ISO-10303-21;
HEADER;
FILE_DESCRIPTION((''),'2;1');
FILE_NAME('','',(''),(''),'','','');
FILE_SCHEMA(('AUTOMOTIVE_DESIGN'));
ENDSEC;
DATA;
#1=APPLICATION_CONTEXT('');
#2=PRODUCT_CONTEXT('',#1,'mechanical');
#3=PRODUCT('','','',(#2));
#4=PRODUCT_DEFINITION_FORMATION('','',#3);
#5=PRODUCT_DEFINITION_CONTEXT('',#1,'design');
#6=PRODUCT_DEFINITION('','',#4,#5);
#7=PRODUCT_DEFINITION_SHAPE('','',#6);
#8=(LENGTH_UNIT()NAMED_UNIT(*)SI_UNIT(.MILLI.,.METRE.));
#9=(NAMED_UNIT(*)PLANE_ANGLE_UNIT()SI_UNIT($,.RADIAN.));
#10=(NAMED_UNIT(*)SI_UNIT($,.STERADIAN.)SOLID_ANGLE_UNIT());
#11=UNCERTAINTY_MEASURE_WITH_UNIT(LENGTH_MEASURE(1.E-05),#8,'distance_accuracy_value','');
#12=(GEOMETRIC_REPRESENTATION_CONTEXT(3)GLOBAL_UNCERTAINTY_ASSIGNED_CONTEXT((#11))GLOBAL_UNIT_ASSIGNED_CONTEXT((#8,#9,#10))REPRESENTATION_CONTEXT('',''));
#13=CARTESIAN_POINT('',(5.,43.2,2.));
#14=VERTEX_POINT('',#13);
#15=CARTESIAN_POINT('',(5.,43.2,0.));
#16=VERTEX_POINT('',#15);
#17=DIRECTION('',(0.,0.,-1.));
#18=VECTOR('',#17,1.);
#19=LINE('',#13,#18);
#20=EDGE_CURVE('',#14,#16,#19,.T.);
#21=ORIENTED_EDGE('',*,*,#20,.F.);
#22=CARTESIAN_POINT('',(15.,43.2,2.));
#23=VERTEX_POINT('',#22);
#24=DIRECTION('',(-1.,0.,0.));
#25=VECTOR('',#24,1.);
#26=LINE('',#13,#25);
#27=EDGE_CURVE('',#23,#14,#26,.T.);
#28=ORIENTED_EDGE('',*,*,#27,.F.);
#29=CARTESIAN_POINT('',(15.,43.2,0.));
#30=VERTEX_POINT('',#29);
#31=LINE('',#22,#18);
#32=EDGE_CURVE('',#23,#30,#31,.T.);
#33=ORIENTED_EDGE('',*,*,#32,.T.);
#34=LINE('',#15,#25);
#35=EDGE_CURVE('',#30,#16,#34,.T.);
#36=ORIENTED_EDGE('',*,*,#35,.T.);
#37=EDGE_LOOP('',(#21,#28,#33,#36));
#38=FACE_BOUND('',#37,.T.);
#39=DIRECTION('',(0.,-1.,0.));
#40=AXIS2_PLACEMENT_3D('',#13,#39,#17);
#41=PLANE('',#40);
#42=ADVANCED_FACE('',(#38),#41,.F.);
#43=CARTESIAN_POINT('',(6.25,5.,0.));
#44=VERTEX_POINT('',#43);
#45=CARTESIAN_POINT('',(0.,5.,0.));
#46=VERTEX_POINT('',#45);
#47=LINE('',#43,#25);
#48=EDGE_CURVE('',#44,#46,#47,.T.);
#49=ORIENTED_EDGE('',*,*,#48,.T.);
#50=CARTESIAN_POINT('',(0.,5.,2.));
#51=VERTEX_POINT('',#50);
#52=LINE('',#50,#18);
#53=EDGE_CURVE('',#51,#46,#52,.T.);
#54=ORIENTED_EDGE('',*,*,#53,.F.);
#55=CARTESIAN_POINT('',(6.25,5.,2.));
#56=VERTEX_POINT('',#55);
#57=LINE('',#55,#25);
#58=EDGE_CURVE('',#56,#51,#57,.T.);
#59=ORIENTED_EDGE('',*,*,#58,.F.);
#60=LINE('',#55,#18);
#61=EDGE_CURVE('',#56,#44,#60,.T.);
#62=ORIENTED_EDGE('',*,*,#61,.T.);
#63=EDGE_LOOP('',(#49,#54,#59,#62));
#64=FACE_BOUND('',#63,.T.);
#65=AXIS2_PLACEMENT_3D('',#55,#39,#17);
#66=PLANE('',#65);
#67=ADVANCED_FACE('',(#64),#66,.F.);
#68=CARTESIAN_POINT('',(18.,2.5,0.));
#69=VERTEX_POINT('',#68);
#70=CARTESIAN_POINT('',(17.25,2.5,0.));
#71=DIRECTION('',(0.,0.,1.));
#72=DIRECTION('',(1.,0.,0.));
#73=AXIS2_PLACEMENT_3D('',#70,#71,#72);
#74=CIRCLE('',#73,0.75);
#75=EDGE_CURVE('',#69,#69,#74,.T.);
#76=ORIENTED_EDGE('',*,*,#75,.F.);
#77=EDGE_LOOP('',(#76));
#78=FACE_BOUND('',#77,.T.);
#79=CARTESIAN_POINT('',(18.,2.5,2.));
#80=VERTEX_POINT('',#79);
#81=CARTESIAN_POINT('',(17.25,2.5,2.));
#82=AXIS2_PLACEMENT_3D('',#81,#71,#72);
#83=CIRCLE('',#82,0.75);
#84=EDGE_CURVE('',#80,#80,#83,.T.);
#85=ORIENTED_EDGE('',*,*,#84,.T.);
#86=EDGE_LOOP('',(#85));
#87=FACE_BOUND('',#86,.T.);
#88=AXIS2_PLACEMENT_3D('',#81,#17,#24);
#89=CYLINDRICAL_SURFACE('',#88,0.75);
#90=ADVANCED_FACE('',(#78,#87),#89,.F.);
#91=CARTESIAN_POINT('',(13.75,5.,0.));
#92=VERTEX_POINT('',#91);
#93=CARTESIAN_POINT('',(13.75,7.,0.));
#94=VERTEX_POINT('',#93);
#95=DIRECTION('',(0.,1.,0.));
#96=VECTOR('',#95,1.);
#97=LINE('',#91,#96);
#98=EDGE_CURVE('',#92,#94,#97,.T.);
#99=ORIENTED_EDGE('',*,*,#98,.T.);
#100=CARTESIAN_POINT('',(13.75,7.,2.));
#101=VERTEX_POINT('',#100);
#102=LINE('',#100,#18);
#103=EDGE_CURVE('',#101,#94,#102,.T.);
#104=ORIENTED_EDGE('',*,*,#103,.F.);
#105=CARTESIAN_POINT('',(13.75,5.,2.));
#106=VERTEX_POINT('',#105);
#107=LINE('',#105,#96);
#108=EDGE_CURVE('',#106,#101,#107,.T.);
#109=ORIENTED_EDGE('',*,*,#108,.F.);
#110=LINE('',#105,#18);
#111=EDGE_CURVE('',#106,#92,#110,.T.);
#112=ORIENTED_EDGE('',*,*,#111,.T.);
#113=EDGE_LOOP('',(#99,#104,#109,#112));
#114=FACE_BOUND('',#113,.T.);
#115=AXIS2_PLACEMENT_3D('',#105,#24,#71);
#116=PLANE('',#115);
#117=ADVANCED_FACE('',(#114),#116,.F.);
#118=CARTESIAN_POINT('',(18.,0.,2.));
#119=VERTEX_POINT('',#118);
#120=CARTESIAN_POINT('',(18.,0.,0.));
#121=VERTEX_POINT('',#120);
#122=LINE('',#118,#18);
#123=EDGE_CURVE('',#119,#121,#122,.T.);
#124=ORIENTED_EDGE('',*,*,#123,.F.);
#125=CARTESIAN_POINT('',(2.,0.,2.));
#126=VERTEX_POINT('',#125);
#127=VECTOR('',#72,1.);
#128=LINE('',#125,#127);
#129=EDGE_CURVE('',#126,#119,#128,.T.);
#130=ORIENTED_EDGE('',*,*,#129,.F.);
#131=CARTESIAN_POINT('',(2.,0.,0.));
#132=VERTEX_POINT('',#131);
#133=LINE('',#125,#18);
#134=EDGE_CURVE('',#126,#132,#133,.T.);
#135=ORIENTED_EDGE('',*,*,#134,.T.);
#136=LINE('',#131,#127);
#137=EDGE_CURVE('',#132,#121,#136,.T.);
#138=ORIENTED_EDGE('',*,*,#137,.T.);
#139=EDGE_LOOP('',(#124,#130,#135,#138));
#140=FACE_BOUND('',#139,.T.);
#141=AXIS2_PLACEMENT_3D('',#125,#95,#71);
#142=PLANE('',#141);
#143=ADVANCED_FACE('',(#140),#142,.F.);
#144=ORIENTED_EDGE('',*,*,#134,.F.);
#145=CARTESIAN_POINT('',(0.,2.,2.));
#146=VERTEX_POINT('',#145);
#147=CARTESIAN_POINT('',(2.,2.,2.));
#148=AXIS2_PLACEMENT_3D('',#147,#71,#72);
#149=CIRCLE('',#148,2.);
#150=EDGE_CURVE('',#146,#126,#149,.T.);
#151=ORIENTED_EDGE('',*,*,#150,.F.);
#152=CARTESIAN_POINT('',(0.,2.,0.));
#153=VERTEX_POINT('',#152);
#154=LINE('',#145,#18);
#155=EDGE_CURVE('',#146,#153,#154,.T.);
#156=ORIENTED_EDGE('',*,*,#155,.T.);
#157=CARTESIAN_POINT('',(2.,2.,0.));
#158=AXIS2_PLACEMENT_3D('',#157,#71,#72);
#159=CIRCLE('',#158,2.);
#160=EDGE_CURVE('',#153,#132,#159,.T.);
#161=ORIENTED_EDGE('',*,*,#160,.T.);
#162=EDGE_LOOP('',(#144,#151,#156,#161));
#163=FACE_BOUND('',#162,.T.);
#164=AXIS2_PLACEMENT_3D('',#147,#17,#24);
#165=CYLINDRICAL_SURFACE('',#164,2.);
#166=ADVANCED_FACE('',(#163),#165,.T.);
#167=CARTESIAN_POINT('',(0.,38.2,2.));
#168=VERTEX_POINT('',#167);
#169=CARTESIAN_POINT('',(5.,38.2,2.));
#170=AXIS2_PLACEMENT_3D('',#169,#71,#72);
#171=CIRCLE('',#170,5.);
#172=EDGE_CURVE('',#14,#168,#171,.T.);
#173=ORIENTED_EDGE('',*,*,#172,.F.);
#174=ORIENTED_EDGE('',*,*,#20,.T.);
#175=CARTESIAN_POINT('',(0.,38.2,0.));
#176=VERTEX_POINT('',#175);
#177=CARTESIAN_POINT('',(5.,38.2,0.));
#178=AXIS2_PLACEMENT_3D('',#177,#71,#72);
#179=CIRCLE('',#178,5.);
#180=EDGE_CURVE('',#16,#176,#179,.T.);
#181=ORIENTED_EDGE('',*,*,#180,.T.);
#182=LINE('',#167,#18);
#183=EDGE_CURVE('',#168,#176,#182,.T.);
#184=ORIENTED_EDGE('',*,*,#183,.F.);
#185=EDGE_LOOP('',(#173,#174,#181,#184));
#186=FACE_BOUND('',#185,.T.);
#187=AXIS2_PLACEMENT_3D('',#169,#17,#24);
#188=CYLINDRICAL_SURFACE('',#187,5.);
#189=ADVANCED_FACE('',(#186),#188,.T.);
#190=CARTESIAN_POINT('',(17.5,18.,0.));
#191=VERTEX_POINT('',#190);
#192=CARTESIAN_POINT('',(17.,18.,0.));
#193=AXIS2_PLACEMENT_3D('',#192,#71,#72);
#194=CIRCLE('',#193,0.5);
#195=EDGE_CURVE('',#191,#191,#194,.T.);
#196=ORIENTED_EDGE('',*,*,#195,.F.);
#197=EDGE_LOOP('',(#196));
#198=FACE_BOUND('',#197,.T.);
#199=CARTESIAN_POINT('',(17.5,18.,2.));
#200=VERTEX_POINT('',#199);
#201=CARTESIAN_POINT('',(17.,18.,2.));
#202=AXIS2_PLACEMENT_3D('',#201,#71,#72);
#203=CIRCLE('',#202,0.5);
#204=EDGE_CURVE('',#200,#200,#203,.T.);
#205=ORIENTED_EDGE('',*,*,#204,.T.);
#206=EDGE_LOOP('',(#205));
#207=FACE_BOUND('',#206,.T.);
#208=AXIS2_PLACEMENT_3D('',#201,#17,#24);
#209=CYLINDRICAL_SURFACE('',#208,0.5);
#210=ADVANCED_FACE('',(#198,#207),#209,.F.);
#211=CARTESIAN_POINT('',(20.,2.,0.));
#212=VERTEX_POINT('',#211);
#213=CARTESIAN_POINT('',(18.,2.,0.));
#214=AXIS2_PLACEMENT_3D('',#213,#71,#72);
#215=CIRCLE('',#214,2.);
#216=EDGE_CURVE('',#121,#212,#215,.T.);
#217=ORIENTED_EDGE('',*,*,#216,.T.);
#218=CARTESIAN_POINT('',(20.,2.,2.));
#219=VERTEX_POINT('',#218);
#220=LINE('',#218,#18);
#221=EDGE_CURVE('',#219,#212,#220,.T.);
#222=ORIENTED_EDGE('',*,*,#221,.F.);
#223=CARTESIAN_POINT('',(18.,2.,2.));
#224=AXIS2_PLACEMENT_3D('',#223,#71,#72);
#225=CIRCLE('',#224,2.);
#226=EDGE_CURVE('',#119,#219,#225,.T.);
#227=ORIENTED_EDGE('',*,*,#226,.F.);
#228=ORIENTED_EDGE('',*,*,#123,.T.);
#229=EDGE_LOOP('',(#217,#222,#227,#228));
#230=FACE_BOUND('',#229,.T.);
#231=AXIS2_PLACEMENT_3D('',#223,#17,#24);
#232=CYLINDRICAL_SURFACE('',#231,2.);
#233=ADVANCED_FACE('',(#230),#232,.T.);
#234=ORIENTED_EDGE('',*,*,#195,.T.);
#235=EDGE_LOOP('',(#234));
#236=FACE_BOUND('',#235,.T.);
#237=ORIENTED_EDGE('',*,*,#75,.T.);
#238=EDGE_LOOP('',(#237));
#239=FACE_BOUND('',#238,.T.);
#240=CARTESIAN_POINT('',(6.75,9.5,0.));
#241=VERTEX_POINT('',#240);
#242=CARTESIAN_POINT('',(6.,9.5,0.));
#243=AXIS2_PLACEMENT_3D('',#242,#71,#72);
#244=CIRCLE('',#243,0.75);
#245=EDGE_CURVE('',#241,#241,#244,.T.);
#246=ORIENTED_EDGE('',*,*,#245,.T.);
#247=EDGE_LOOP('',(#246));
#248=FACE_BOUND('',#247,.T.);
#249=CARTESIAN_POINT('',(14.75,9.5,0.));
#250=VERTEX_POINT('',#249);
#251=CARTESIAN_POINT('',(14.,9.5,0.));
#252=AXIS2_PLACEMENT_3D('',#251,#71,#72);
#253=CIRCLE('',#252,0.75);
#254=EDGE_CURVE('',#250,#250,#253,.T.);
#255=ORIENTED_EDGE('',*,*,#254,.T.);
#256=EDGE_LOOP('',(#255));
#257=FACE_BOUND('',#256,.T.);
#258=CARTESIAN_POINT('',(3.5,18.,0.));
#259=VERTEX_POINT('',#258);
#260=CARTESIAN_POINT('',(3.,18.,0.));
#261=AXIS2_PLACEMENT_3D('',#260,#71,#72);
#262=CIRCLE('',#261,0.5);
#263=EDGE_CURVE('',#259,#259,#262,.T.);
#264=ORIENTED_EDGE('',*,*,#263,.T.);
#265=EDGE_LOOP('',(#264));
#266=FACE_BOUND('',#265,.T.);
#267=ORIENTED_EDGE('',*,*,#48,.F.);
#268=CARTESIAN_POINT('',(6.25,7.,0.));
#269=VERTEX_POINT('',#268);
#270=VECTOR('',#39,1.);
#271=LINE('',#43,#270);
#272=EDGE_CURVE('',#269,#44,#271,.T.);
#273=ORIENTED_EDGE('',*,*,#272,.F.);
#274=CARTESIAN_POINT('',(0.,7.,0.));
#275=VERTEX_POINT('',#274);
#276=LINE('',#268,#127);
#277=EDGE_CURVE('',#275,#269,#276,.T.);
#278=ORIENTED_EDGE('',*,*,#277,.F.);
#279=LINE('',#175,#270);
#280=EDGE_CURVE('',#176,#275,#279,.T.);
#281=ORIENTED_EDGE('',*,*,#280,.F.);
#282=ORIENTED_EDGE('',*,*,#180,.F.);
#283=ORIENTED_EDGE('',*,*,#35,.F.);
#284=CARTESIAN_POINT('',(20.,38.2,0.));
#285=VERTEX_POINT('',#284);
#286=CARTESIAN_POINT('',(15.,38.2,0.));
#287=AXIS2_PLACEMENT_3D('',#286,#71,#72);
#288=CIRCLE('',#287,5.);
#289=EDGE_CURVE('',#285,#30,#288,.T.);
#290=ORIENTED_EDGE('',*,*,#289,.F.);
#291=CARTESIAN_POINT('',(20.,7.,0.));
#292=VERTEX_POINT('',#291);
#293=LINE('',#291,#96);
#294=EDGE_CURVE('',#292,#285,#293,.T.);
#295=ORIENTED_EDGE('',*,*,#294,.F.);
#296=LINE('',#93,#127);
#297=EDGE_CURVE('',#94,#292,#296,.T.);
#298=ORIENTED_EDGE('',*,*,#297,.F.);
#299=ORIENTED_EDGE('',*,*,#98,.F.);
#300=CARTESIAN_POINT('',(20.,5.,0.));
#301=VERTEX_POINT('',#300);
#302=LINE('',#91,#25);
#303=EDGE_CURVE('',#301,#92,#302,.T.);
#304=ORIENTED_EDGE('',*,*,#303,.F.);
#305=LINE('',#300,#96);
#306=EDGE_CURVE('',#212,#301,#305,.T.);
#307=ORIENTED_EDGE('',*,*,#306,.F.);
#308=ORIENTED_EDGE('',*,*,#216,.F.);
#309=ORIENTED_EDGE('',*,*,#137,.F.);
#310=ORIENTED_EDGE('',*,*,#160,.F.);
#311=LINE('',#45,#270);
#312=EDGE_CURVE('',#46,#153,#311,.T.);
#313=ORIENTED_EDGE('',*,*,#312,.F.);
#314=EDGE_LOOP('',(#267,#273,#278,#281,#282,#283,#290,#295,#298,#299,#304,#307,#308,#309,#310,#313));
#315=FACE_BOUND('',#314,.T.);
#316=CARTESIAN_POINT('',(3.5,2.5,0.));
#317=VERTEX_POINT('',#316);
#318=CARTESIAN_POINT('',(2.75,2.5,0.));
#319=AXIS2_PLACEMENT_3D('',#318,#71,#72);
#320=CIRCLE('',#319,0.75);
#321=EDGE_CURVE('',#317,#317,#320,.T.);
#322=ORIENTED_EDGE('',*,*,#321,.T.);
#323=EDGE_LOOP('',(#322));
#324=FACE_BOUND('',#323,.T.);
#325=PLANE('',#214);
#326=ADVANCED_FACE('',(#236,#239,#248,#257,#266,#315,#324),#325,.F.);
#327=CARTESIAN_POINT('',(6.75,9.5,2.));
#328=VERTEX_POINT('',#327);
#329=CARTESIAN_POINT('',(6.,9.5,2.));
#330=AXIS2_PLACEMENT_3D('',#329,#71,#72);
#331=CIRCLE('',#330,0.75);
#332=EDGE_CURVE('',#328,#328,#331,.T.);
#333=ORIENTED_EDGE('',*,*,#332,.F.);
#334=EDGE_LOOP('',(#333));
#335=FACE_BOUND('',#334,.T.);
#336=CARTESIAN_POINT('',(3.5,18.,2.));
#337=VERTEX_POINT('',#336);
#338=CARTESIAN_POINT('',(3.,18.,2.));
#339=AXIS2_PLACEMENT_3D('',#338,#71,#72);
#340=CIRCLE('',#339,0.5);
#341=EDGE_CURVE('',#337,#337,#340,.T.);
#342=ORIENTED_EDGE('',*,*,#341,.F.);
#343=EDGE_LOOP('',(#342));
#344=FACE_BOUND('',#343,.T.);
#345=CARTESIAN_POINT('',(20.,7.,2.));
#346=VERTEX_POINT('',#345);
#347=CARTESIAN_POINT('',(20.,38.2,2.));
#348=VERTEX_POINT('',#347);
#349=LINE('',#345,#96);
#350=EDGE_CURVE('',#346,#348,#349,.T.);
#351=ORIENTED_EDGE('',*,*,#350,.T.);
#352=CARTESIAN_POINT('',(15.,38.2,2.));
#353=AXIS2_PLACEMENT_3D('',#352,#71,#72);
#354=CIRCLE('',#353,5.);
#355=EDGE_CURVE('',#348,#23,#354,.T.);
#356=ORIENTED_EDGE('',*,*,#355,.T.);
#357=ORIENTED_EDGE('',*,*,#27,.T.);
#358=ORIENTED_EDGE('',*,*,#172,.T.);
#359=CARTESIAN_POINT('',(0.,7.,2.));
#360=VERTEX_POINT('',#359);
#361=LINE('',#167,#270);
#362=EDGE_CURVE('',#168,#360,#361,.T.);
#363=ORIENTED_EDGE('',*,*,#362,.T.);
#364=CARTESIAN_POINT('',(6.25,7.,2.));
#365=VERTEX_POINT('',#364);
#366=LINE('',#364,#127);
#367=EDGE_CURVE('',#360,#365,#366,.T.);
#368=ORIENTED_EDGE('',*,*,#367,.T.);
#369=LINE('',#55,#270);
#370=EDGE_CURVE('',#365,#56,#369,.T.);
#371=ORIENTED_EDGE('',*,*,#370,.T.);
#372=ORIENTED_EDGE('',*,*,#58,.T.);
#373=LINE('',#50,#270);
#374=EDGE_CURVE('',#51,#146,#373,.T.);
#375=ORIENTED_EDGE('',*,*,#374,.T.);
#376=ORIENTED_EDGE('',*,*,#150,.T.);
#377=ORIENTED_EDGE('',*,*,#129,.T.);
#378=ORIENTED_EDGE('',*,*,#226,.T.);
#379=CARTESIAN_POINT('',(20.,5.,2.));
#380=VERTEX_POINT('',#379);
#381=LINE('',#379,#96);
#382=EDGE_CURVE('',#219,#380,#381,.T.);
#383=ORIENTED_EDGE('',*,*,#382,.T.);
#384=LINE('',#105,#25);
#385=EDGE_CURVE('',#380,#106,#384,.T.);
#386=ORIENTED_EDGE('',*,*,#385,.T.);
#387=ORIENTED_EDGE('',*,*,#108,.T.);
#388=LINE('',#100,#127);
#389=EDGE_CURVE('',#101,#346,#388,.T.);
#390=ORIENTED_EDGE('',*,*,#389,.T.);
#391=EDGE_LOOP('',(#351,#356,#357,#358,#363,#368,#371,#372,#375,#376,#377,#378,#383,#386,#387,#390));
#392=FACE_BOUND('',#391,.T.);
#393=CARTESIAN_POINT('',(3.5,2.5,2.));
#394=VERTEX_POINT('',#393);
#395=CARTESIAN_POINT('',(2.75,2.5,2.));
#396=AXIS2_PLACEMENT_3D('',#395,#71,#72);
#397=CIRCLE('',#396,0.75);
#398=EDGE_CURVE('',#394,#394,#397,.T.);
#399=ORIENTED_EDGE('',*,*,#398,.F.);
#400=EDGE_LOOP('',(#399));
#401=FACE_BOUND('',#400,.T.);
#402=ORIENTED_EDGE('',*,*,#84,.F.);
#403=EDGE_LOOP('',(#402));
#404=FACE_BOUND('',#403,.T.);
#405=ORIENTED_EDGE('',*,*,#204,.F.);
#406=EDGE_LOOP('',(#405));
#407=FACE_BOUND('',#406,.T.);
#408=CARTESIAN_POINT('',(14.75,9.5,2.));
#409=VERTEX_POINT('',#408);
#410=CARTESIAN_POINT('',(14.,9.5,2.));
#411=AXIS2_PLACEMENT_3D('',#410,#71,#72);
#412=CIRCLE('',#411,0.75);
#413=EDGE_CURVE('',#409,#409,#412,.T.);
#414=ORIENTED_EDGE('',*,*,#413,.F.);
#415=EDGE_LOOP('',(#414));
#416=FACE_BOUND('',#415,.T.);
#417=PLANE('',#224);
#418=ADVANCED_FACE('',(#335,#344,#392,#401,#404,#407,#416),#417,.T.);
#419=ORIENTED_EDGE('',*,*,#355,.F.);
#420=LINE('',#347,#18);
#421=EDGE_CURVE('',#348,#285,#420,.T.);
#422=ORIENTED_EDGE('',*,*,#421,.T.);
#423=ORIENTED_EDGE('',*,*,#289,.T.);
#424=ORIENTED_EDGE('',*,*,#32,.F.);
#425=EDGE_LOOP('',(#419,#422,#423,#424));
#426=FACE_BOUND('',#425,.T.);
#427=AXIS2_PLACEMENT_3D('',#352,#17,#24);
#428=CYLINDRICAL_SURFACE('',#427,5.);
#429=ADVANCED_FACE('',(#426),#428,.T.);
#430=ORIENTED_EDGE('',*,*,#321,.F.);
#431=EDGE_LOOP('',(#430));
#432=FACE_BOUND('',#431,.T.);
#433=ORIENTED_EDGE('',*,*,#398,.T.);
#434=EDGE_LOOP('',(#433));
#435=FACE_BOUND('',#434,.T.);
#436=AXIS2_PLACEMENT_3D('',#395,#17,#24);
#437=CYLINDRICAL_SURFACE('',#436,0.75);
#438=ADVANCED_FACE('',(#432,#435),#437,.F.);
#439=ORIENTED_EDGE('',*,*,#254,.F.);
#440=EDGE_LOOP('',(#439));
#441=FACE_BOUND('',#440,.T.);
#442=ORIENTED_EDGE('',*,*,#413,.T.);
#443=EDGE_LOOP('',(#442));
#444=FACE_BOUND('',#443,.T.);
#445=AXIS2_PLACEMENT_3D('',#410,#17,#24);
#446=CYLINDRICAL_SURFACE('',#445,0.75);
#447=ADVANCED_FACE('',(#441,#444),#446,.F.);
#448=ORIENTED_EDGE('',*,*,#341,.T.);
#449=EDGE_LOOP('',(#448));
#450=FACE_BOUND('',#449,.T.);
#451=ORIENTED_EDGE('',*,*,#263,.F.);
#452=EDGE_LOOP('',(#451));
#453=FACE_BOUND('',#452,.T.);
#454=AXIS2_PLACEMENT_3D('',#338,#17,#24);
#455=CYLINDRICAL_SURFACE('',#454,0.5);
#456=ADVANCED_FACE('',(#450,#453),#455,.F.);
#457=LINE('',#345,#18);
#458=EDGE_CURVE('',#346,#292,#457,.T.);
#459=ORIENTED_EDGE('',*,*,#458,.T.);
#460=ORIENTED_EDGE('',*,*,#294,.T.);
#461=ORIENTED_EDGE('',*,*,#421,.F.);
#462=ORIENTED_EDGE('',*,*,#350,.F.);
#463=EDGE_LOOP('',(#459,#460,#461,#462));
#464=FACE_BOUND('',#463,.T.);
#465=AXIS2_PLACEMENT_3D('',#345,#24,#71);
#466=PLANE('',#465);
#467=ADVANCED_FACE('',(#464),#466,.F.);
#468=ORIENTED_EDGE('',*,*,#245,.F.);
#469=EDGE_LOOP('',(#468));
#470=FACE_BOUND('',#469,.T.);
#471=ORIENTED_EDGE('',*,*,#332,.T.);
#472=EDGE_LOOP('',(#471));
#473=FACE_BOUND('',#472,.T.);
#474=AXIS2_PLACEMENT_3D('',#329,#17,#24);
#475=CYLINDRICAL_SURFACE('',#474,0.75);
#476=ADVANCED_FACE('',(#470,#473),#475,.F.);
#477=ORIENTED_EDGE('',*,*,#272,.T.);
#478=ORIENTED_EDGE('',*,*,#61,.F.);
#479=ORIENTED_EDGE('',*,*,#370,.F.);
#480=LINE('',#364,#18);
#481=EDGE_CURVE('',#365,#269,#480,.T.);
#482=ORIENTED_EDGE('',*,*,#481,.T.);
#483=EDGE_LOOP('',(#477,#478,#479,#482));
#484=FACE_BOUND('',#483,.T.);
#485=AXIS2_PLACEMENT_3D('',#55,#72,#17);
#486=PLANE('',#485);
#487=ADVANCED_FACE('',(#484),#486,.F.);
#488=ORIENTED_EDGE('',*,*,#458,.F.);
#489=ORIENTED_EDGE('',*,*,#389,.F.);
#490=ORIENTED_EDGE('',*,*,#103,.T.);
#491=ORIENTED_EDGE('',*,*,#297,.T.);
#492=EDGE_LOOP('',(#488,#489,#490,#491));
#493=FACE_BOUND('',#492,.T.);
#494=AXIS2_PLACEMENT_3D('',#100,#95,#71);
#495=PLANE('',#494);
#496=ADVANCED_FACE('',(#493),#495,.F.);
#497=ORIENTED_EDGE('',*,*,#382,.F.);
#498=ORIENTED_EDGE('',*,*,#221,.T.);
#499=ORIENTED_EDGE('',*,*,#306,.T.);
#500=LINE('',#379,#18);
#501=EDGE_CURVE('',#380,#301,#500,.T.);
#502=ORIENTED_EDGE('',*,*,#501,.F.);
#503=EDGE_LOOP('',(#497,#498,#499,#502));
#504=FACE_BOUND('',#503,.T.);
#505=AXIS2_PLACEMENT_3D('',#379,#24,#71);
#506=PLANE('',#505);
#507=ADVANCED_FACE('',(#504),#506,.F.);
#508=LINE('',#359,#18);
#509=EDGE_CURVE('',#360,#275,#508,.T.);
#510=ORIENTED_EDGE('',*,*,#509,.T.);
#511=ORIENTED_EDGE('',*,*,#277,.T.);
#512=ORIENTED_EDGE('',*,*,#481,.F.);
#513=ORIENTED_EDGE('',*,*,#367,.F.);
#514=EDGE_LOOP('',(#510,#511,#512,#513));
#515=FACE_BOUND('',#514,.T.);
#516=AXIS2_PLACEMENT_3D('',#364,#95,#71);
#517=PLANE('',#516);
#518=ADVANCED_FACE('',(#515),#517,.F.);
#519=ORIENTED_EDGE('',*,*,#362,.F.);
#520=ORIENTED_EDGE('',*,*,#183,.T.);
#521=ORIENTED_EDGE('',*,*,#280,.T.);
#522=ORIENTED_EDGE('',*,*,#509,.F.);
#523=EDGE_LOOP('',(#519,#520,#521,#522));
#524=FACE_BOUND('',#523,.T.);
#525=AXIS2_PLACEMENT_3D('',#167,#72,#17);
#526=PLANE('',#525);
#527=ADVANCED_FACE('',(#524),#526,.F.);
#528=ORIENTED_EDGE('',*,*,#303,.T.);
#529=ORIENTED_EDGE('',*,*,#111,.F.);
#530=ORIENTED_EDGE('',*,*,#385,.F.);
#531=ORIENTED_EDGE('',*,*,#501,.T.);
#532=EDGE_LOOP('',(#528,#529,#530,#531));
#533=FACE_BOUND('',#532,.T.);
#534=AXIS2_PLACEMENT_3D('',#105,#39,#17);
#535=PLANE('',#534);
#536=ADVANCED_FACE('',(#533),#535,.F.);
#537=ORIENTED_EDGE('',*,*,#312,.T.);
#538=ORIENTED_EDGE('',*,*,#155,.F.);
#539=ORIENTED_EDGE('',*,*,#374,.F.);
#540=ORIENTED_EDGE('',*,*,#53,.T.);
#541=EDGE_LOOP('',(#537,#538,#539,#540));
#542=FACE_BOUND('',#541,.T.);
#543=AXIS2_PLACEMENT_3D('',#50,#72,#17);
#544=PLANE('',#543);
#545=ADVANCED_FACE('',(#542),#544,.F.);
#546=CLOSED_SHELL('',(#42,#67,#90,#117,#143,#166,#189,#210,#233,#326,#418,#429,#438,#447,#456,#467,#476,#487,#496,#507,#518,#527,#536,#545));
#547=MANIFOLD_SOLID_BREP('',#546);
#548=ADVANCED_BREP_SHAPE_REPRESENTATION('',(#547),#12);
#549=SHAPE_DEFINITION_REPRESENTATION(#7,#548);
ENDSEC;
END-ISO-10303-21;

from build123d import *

# Parameters (mm, degrees)
MODEL_R             = 0.5
MODEL_R_2           = 0.75
BOSS_EXTRUDE1_DEPTH = 2


with BuildPart() as part:
    # Model → Boss-Extrude1 (new body)
    with BuildSketch(Plane.XY):
        with BuildLine():
            Line((2, 0), (18, 0))
            ThreePointArc((18, 0), (19.414213562, 0.585786438), (20, 2))
            Line((20, 2), (20, 5))
            Line((20, 5), (13.75, 5))
            Line((13.75, 5), (13.75, 7))
            Line((13.75, 7), (20, 7))
            Line((20, 7), (20, 38.2))
            ThreePointArc((20, 38.2), (18.535533906, 41.735533906), (15, 43.2))
            Line((15, 43.2), (5, 43.2))
            ThreePointArc((5, 43.2), (1.464466094, 41.735533906), (0, 38.2))
            Line((0, 38.2), (0, 7))
            Line((0, 7), (6.25, 7))
            Line((6.25, 7), (6.25, 5))
            Line((6.25, 5), (0, 5))
            Line((0, 5), (0, 2))
            ThreePointArc((0, 2), (0.585786438, 0.585786438), (2, 0))
        make_face()
        with Locations((3, 18)):
            Circle(MODEL_R, mode=Mode.SUBTRACT)
        with Locations((17, 18)):
            Circle(MODEL_R, mode=Mode.SUBTRACT)
        with Locations((14, 9.5)):
            Circle(MODEL_R_2, mode=Mode.SUBTRACT)
        with Locations((6, 9.5)):
            Circle(MODEL_R_2, mode=Mode.SUBTRACT)
        with Locations((17.25, 2.5)):
            Circle(MODEL_R_2, mode=Mode.SUBTRACT)
        with Locations((2.75, 2.5)):
            Circle(MODEL_R_2, mode=Mode.SUBTRACT)
    extrude(amount=BOSS_EXTRUDE1_DEPTH)


solid = part.part
